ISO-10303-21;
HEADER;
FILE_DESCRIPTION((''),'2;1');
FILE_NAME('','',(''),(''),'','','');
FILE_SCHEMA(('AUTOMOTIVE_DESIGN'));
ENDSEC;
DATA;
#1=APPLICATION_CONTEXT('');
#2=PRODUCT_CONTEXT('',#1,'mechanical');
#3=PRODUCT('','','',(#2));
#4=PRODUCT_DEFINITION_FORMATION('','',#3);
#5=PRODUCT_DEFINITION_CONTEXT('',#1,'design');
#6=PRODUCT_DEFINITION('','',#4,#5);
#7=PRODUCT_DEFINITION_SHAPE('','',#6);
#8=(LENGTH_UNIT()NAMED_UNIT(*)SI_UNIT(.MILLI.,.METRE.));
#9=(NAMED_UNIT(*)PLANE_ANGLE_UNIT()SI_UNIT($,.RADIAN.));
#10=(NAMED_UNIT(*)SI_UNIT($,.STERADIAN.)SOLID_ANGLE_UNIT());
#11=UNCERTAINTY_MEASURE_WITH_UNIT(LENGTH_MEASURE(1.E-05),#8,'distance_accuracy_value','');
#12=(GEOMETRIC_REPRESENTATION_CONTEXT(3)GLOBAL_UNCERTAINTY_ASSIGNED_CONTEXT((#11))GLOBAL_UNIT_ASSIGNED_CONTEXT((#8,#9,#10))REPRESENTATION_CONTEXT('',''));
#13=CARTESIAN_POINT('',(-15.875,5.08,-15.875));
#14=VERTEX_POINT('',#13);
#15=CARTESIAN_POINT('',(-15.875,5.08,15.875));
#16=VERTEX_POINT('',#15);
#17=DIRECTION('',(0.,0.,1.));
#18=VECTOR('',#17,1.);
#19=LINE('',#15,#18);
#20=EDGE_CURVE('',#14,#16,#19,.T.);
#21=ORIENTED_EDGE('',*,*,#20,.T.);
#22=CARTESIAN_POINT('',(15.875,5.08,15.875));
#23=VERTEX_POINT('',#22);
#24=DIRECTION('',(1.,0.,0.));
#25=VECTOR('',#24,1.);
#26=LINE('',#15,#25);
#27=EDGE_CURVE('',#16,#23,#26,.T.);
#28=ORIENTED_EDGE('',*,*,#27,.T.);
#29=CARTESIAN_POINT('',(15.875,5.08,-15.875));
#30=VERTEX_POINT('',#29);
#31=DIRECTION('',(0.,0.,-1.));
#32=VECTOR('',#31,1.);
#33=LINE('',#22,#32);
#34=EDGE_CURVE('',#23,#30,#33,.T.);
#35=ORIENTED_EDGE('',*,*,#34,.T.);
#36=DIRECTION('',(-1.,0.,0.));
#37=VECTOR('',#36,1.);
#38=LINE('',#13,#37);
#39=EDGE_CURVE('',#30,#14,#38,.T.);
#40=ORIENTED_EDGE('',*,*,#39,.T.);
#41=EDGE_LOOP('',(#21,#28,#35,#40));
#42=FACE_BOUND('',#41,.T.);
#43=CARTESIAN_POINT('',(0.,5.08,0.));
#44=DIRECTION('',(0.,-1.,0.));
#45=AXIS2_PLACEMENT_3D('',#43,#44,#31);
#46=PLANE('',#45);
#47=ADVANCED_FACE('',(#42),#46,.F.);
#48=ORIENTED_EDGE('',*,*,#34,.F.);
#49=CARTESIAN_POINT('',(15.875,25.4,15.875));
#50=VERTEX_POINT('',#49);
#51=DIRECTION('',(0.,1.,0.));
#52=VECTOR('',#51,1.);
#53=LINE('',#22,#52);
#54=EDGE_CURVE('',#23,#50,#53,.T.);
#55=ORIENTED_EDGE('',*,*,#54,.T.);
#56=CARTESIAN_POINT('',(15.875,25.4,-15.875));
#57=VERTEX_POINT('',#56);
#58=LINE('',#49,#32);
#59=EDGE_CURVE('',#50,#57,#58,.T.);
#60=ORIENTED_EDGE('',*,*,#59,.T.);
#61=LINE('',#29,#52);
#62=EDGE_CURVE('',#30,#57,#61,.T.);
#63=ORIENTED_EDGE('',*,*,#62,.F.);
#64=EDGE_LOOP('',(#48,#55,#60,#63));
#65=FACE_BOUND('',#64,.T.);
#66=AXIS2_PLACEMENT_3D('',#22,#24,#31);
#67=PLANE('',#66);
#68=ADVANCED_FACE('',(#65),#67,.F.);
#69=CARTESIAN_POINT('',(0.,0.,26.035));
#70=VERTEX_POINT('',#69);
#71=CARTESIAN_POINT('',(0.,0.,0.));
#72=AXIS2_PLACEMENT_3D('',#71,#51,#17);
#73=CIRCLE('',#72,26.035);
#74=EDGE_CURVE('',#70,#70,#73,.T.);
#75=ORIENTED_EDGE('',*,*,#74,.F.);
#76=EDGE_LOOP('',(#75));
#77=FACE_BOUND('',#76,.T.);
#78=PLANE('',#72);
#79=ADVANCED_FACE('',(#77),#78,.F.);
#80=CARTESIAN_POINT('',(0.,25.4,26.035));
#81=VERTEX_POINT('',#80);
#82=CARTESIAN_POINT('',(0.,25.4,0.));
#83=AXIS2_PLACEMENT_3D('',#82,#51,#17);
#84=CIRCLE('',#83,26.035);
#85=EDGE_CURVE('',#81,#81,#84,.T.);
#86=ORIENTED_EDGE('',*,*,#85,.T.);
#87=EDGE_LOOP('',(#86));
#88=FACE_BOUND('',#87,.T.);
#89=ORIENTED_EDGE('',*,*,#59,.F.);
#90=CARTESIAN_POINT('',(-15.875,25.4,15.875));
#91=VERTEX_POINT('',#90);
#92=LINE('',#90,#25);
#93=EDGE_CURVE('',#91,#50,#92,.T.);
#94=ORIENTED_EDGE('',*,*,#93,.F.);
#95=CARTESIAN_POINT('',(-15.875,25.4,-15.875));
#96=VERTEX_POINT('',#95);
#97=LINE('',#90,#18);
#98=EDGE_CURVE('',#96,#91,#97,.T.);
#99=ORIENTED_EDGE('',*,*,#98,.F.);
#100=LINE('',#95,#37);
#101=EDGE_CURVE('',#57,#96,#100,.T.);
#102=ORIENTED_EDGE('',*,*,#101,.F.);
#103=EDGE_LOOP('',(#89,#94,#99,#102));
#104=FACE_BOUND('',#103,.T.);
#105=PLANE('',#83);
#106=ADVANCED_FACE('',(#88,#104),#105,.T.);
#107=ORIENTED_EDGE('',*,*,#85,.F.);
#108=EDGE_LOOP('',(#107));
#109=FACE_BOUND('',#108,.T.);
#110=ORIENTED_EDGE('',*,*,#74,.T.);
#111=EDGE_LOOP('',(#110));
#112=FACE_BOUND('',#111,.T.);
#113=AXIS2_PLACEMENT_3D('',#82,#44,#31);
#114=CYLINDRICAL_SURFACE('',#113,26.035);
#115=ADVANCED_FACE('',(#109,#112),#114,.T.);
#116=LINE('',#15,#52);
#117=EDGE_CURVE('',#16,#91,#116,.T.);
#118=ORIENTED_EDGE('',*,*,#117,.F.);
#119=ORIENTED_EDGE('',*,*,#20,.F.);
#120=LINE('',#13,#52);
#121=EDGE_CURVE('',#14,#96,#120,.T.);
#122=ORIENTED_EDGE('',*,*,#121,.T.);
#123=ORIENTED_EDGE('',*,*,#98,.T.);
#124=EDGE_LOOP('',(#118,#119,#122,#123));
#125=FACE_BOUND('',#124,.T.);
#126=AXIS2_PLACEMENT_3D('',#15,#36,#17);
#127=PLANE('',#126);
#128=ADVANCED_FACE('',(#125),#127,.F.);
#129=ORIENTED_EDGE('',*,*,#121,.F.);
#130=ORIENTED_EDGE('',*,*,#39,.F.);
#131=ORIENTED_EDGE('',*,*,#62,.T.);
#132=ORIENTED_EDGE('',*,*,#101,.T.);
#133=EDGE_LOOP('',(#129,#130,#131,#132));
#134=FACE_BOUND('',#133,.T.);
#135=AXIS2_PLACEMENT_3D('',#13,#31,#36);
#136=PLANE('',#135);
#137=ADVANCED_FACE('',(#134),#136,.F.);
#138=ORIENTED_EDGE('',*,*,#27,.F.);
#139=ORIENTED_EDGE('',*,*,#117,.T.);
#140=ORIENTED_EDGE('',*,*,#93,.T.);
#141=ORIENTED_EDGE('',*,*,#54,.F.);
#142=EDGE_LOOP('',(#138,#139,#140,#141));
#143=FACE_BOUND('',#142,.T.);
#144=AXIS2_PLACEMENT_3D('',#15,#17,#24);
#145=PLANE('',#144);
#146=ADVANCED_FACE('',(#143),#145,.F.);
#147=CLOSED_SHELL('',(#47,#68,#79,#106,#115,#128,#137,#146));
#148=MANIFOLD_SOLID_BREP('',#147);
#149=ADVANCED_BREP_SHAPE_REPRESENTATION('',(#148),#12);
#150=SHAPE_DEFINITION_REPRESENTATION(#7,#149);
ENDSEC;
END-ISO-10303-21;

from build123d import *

# Parameters (mm, degrees)
SKETCH1_R           = 26.035
BOSS_EXTRUDE1_DEPTH = 25.4
SKETCH2_W           = 31.75
SKETCH2_H           = 31.75
CUT_EXTRUDE1_DEPTH  = 20.32


with BuildPart() as part:
    # Sketch1 → Boss-Extrude1 (new body)
    with BuildSketch(Plane(origin=(0, 0, 0), x_dir=(1, 0, 0), z_dir=(0, 1, 0))):
        with Locations(Location((0, 0, 0), (0, 0, 270))):
            Circle(SKETCH1_R)
    extrude(amount=BOSS_EXTRUDE1_DEPTH)

    # Sketch2 → Cut-Extrude1 (cut)
    with BuildSketch(Plane(origin=(0, 25.4, 0), x_dir=(1, 0, 0), z_dir=(0, 1, 0))):
        Rectangle(SKETCH2_W, SKETCH2_H)
    extrude(amount=-CUT_EXTRUDE1_DEPTH, mode=Mode.SUBTRACT)


solid = part.part
